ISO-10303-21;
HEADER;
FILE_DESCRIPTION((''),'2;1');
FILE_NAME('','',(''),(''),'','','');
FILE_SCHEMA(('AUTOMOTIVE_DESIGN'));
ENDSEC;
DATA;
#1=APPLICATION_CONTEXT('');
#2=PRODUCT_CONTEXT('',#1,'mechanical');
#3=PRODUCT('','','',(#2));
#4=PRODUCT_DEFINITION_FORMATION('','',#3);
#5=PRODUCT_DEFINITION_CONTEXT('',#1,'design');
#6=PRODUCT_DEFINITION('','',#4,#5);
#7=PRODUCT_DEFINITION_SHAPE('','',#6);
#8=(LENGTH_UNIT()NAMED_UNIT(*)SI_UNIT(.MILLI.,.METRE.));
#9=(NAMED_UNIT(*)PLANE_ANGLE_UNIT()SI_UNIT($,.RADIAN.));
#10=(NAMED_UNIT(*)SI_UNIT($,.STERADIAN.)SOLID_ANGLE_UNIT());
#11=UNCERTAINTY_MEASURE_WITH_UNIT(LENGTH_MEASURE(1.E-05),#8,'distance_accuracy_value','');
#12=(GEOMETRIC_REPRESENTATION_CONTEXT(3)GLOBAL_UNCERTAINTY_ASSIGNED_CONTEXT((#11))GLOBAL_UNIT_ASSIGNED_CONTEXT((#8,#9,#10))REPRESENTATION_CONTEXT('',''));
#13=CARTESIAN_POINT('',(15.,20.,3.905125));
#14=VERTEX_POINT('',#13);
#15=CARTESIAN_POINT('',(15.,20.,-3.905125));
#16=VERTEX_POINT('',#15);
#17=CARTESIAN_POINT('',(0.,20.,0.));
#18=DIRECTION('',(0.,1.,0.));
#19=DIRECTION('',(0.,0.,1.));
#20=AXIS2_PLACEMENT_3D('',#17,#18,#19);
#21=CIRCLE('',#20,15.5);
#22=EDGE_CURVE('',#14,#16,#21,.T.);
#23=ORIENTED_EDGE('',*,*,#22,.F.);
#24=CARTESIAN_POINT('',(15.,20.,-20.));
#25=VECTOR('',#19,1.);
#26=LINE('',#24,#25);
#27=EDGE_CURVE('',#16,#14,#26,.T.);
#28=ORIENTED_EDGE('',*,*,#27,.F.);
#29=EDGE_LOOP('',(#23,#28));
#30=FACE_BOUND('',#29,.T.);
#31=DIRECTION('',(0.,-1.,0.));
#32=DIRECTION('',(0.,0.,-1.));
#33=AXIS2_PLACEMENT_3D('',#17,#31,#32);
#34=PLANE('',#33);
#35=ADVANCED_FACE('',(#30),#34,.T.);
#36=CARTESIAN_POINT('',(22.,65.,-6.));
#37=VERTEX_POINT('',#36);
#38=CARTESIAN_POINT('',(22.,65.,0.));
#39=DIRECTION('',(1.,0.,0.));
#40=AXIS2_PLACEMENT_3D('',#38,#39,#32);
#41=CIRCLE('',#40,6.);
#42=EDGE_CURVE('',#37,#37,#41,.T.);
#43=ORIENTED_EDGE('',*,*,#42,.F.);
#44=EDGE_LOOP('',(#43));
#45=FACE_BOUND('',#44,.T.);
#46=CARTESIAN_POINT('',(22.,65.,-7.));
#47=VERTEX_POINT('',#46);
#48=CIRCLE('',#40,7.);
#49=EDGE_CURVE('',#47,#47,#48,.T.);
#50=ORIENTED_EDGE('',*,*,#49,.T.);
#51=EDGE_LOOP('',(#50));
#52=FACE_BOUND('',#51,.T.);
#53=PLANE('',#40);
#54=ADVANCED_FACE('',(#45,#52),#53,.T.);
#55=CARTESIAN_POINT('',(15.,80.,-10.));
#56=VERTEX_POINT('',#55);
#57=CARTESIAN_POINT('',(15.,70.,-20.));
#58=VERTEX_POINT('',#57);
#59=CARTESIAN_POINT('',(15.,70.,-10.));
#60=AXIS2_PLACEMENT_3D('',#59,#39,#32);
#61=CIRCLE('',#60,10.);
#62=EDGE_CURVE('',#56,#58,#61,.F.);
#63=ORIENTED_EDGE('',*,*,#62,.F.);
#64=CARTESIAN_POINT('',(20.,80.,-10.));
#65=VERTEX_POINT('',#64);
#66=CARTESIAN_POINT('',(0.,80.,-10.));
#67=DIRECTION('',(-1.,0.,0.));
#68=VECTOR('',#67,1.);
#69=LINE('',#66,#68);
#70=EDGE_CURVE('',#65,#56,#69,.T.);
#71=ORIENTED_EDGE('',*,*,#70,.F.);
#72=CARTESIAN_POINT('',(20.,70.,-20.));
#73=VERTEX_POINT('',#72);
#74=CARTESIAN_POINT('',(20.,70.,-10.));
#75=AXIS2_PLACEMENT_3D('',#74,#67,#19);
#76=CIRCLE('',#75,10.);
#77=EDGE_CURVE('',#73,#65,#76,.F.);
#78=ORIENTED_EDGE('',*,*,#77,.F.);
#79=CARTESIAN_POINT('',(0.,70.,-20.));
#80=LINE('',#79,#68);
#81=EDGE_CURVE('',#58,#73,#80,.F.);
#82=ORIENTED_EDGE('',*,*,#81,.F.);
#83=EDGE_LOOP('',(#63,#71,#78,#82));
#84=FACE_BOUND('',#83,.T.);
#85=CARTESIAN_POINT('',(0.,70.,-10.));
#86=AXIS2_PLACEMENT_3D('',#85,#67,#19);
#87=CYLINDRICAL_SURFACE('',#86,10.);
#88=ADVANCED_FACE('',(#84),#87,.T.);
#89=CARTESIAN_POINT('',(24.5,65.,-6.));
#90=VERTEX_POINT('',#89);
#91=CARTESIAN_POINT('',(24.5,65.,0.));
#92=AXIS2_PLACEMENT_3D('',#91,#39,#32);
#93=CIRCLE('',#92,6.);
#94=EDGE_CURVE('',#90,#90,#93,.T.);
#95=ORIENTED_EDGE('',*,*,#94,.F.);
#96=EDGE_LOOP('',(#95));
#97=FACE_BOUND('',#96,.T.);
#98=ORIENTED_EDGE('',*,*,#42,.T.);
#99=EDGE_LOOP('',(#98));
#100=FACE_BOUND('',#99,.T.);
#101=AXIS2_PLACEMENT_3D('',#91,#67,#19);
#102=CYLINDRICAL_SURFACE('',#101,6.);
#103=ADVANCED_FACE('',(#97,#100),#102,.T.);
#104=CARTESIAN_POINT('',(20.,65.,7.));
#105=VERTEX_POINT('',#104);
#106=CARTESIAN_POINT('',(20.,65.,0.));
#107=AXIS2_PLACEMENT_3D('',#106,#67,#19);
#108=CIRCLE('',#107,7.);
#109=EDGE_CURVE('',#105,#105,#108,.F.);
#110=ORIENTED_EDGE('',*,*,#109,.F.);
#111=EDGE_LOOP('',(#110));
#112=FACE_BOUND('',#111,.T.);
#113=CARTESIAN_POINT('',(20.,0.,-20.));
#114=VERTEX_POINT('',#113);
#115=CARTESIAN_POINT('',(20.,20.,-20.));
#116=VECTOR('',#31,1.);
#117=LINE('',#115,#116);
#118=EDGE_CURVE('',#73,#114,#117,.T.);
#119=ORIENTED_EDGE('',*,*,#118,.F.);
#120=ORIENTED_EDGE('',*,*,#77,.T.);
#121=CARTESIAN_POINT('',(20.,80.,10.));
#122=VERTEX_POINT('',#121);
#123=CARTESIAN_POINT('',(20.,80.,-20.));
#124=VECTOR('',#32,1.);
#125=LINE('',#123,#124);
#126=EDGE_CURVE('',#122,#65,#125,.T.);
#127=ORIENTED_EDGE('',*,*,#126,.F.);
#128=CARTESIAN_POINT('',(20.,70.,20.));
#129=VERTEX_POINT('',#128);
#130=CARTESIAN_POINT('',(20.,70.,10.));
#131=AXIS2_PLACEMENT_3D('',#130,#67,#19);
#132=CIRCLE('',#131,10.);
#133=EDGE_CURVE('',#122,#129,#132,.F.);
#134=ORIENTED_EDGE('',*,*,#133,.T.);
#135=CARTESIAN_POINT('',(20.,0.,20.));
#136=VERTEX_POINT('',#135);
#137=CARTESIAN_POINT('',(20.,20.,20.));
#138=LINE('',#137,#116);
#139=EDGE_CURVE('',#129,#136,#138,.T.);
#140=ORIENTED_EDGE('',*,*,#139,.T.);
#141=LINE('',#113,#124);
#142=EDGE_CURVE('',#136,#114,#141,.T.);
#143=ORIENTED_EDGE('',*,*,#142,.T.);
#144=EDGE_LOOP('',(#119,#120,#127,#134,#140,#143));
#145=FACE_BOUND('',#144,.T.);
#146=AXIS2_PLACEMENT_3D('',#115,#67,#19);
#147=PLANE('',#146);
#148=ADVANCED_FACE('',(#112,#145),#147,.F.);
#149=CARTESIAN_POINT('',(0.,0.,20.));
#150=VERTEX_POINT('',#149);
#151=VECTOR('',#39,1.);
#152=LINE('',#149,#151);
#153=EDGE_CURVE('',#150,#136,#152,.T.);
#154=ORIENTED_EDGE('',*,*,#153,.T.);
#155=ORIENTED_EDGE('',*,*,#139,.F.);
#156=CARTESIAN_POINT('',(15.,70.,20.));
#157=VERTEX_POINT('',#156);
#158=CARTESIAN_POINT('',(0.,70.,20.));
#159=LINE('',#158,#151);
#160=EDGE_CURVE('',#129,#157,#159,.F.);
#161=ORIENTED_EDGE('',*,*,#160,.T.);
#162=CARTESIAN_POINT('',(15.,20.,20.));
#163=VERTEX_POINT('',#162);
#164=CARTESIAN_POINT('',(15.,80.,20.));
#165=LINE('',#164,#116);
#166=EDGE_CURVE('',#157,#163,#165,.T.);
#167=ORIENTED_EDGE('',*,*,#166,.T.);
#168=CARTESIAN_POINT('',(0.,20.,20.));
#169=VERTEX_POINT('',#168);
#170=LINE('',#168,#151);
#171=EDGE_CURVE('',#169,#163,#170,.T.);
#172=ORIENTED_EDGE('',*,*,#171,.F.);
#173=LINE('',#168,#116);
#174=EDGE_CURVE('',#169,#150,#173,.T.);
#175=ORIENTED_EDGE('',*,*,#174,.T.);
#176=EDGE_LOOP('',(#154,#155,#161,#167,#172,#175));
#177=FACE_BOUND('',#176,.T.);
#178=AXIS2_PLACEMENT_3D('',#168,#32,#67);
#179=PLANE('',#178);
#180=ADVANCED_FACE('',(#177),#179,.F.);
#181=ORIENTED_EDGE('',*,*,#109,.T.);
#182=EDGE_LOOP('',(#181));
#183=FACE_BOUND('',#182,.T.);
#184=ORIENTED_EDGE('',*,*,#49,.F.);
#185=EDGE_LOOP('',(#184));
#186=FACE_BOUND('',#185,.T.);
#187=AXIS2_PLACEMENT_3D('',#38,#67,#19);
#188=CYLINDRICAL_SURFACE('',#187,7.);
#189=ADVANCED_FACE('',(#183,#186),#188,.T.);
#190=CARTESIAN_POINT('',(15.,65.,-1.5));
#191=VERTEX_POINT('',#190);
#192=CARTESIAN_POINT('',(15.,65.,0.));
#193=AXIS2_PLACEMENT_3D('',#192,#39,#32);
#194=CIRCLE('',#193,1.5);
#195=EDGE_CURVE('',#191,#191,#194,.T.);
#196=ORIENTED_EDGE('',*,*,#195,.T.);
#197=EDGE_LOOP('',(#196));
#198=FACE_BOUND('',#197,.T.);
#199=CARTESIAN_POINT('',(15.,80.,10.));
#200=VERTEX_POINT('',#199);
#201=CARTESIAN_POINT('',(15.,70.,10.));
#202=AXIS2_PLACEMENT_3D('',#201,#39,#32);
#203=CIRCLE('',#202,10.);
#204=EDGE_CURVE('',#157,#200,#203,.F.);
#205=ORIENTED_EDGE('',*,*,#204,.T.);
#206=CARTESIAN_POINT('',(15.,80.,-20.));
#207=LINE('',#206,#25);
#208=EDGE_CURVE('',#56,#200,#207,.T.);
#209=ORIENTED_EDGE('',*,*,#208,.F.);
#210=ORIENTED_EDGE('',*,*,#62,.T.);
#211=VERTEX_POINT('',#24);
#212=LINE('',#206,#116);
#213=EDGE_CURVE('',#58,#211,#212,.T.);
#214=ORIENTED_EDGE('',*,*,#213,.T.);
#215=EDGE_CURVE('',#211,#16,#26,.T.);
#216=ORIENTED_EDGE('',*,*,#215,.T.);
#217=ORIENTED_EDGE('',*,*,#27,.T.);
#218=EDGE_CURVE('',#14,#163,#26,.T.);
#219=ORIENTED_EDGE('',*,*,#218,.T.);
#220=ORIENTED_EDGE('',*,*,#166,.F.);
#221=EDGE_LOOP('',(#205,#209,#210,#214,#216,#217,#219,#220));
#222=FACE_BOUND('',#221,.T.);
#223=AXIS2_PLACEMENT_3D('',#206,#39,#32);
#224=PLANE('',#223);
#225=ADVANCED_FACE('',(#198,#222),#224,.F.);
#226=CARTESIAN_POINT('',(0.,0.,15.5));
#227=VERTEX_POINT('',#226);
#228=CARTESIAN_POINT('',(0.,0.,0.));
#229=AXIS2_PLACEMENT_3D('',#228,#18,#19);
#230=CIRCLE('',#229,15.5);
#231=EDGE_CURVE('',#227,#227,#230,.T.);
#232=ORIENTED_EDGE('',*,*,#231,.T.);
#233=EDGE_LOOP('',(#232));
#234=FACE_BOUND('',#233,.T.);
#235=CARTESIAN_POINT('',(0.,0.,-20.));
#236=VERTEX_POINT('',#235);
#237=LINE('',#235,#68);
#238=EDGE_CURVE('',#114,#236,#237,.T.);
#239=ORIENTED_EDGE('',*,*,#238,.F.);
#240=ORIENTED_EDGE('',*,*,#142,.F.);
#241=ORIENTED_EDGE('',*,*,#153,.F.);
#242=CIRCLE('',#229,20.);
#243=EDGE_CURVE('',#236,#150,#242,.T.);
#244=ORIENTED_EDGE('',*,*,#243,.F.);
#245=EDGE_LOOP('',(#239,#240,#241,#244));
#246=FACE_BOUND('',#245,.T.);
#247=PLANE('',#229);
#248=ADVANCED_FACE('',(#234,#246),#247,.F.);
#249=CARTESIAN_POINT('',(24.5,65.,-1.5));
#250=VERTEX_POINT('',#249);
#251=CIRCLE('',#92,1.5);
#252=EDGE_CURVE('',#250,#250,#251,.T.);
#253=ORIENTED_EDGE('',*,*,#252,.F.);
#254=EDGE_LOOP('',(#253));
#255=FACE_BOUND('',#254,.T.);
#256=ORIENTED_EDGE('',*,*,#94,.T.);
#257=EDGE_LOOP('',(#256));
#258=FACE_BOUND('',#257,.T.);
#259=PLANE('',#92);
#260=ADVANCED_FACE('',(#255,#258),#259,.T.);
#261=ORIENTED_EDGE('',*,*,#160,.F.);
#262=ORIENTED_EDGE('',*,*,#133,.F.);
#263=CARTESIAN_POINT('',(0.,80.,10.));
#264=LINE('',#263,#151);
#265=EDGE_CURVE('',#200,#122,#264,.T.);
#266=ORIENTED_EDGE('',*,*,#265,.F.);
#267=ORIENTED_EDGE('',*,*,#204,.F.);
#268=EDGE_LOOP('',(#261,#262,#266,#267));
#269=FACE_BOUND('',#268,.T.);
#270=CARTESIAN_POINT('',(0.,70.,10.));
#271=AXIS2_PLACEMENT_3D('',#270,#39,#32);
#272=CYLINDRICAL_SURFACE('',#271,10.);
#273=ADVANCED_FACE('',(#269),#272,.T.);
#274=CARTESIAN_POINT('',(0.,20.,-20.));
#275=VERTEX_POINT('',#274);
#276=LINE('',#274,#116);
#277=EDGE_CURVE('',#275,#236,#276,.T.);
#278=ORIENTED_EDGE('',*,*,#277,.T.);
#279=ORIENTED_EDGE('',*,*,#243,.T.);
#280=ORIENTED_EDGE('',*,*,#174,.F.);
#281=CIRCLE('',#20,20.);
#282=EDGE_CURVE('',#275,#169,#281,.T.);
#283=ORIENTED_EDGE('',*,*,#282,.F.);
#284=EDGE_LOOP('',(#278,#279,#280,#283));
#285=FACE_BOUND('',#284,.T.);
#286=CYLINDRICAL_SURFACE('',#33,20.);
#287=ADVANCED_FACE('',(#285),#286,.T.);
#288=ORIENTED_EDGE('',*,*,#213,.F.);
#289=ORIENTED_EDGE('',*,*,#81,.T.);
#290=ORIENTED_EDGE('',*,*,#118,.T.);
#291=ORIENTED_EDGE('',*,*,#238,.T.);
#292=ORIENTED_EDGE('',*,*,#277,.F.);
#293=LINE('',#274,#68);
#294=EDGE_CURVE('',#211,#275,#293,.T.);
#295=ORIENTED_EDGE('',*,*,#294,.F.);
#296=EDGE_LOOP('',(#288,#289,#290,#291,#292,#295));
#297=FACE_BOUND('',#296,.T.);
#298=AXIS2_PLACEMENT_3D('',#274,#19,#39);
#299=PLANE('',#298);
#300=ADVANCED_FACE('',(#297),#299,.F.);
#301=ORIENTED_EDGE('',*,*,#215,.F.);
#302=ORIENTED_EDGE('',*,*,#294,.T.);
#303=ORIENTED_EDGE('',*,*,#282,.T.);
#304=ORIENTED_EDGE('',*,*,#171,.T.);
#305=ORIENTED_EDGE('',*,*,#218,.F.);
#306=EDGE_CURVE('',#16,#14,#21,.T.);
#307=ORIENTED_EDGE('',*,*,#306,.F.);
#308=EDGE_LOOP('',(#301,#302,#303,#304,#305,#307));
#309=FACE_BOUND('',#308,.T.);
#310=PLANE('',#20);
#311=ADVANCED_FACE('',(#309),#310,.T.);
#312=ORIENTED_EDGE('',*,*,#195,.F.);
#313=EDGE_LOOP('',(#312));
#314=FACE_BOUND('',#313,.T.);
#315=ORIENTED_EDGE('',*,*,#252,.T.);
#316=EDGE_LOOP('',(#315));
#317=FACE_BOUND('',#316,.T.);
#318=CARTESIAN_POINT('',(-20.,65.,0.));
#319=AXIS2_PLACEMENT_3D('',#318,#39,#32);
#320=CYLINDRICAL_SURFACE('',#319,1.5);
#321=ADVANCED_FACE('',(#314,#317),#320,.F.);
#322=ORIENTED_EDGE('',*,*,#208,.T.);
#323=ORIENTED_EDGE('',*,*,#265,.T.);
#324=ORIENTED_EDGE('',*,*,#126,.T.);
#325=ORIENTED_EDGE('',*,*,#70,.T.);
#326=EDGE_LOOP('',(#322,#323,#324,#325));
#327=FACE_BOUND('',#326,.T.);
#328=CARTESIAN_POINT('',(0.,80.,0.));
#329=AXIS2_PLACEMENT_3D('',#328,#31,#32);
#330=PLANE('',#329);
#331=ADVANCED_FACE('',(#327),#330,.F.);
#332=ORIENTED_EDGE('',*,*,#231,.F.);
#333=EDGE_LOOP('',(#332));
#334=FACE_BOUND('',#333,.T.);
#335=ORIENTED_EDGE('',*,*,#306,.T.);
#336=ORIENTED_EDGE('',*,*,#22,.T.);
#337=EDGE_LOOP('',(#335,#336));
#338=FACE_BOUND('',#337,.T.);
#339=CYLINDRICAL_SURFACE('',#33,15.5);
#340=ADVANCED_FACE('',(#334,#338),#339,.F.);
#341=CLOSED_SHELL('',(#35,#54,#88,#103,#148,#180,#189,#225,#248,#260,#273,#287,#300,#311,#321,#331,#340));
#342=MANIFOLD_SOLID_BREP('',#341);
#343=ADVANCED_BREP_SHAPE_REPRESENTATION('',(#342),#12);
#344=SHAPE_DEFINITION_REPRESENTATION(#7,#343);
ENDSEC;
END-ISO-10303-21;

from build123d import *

# Parameters (mm, degrees)
SKETCH_1_R          = 15.5
EXTRUDE_2_DEPTH     = 20
SKETCH_2_W          = 5
SKETCH_2_H          = 40
EXTRUDE_3_DEPTH     = 60
SKETCH_3_R          = 7
EXTRUDE_4_DEPTH     = 2
SKETCH_4_R          = 6
EXTRUDE_5_DEPTH     = 2.5
SKETCH_5_R          = 1.5
CUT_EXTRUDE_1_DEPTH = 45.5
FILLET_1_R          = 10


with BuildPart() as part:
    # Эскиз1 → Бобышка-Вытянуть2 (new body)
    with BuildSketch(Plane(origin=(0, 0, 0), x_dir=(1, 0, 0), z_dir=(0, 1, 0))):
        with BuildLine():
            Line((0, 20), (20, 20))
            Line((20, 20), (20, -20))
            Line((20, -20), (0, -20))
            ThreePointArc((0, -20), (-20, 0), (0, 20))
        make_face()
        Circle(SKETCH_1_R, mode=Mode.SUBTRACT)
    extrude(amount=EXTRUDE_2_DEPTH)

    # Эскиз2 → Бобышка-Вытянуть3 (add)
    with BuildSketch(Plane(origin=(0, 20, 0), x_dir=(1, 0, 0), z_dir=(0, 1, 0))):
        with Locations((17.5, 0)):
            Rectangle(SKETCH_2_W, SKETCH_2_H)
    extrude(amount=EXTRUDE_3_DEPTH)

    # Эскиз3 → Бобышка-Вытянуть4 (add)
    with BuildSketch(Plane(origin=(20, 0, 0), x_dir=(0, 0, -1), z_dir=(1, 0, 0))):
        with Locations((0, 65)):
            Circle(SKETCH_3_R)
    extrude(amount=EXTRUDE_4_DEPTH)

    # Эскиз4 → Бобышка-Вытянуть5 (add)
    with BuildSketch(Plane(origin=(22, 0, 0), x_dir=(0, 0, -1), z_dir=(1, 0, 0))):
        with Locations((0, 65)):
            Circle(SKETCH_4_R)
    extrude(amount=EXTRUDE_5_DEPTH)

    # Эскиз5 → Вырез-Вытянуть1 (cut, through all)
    with BuildSketch(Plane(origin=(24.5, 0, 0), x_dir=(0, 0, -1), z_dir=(1, 0, 0))):
        with Locations((0, 65)):
            Circle(SKETCH_5_R)
    extrude(amount=-CUT_EXTRUDE_1_DEPTH, mode=Mode.SUBTRACT)

    # Скругление1
    fillet_1_edges = [part.edges().sort_by_distance(p)[0] for p in [
        (17.5, 80, -20),
        (17.5, 80, 20),
    ]]
    fillet(fillet_1_edges, radius=FILLET_1_R)


solid = part.part
